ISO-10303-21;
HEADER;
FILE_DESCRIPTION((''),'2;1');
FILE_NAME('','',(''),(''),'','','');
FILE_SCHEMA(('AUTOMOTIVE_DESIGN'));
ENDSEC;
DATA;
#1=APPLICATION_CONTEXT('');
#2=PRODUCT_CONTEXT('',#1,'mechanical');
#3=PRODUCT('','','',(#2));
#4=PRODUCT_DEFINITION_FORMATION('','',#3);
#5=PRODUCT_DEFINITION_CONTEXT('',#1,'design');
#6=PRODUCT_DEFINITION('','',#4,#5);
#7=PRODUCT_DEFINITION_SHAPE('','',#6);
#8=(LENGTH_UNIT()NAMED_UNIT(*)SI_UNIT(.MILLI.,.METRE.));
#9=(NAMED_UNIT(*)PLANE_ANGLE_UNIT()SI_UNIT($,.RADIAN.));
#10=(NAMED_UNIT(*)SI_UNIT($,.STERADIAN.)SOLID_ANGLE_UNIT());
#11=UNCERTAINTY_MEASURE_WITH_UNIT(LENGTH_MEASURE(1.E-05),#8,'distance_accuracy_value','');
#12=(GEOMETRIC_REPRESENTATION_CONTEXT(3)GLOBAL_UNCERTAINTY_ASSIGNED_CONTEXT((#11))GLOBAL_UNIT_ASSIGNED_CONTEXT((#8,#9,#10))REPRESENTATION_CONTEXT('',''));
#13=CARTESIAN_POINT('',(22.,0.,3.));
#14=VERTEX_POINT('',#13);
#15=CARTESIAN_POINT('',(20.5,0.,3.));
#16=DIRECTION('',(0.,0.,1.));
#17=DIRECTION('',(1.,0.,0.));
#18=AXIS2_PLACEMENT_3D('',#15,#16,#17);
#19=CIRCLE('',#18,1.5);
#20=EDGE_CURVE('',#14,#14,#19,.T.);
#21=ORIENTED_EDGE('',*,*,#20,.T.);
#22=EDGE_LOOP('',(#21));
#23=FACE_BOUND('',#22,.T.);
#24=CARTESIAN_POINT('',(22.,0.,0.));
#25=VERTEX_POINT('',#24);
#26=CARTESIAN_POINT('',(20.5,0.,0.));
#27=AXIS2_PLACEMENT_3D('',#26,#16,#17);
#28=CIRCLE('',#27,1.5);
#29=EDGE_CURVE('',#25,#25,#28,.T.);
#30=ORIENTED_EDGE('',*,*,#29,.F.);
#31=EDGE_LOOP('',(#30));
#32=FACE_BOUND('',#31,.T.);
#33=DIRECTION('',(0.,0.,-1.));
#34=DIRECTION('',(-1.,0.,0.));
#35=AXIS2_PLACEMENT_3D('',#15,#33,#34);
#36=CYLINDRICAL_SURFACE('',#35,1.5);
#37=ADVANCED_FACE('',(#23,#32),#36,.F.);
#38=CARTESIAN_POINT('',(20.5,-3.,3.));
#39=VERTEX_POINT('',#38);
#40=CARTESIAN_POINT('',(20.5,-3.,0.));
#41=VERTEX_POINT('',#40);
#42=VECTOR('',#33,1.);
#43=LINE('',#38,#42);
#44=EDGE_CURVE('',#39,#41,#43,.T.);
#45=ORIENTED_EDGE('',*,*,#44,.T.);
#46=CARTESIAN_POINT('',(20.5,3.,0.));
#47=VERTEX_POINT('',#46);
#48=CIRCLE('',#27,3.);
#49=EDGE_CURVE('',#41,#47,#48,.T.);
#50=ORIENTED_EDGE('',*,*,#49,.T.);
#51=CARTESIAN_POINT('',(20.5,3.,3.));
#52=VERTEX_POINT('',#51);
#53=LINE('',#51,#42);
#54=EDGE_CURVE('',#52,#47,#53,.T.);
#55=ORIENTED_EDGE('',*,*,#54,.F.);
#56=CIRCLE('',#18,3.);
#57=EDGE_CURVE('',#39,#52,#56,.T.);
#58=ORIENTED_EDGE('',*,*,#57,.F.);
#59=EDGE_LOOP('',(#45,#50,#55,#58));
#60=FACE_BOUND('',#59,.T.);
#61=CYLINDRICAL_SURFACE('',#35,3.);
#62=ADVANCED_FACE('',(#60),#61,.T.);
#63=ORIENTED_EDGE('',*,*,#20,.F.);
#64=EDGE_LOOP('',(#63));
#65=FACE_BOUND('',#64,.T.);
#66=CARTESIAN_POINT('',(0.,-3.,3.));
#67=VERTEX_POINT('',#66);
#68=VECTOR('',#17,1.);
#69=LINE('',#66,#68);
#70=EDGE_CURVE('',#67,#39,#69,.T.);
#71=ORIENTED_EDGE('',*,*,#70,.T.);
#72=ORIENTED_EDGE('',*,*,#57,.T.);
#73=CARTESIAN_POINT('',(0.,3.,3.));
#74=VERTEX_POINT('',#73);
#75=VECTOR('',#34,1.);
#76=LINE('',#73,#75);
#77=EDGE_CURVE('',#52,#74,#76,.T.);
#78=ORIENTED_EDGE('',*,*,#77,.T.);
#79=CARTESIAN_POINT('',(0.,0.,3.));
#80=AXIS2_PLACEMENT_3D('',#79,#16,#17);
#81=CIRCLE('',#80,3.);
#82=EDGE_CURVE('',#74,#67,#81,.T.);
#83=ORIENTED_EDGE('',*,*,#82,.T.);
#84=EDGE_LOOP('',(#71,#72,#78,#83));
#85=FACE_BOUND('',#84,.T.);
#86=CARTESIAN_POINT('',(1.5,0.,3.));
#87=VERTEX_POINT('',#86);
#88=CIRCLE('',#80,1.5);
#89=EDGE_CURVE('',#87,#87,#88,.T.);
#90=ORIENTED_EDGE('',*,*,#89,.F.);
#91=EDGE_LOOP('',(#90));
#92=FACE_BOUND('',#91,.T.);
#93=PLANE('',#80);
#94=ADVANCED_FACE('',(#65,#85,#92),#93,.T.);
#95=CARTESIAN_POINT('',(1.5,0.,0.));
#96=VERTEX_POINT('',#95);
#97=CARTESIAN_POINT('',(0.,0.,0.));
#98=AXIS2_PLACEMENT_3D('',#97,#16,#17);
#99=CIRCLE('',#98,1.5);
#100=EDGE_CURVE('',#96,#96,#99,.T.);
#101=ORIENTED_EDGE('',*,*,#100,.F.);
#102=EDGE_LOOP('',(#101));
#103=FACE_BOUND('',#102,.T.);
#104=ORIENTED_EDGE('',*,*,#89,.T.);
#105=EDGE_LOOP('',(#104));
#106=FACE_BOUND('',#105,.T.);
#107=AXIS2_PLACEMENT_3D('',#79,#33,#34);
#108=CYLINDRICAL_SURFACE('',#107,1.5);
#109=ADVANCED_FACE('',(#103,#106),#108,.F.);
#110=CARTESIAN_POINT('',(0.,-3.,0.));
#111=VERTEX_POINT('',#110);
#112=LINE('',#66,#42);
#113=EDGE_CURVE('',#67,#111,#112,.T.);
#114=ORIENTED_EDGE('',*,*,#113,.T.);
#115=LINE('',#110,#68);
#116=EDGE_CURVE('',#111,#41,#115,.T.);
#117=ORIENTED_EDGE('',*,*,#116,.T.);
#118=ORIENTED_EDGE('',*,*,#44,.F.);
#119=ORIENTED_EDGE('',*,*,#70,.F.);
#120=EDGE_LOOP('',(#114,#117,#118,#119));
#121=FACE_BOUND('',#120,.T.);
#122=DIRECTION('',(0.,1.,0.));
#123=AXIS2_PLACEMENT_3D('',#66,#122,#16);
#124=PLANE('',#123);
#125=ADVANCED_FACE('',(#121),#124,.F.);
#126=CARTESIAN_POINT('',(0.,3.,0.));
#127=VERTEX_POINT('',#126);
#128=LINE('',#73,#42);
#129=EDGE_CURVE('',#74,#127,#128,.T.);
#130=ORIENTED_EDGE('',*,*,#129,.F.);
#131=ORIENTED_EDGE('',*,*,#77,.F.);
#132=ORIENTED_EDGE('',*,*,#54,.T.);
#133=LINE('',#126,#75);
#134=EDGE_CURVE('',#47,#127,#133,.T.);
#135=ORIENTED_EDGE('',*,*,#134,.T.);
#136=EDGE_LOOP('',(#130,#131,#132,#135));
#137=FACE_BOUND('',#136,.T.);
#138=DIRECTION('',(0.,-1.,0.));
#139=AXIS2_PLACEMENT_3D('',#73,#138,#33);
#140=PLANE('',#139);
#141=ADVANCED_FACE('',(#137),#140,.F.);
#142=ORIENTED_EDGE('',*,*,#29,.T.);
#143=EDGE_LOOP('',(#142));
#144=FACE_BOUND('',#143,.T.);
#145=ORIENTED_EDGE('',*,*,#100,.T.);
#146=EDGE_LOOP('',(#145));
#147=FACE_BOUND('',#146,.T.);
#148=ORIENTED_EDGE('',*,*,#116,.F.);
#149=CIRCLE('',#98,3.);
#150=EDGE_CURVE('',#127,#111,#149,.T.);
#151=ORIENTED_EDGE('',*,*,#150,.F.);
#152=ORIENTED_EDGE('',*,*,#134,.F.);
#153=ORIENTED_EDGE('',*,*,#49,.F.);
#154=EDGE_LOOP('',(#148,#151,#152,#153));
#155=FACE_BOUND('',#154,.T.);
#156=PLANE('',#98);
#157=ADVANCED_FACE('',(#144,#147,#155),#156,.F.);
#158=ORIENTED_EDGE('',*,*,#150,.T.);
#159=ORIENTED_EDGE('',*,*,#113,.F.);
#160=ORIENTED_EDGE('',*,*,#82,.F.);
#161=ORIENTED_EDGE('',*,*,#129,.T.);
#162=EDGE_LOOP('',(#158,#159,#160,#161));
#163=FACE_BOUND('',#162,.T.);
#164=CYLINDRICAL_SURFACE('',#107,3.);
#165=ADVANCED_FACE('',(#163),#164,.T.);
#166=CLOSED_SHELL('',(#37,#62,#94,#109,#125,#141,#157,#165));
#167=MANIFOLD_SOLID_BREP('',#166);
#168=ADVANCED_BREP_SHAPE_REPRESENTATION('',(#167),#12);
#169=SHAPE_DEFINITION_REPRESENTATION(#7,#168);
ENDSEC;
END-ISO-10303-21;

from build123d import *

# Parameters (mm, degrees)
SKETCH_1_R      = 1.5
EXTRUDE_1_DEPTH = 3


with BuildPart() as part:
    # 草图1 → 凸台-拉伸1 (new body)
    with BuildSketch(Plane.XY):
        with BuildLine():
            Line((0, 3), (20.5, 3))
            ThreePointArc((20.5, 3), (23.5, 0), (20.5, -3))
            Line((20.5, -3), (0, -3))
            ThreePointArc((0, -3), (-3, 0), (0, 3))
        make_face()
        Circle(SKETCH_1_R, mode=Mode.SUBTRACT)
        with Locations((20.5, 0)):
            Circle(SKETCH_1_R, mode=Mode.SUBTRACT)
    extrude(amount=EXTRUDE_1_DEPTH)


solid = part.part
